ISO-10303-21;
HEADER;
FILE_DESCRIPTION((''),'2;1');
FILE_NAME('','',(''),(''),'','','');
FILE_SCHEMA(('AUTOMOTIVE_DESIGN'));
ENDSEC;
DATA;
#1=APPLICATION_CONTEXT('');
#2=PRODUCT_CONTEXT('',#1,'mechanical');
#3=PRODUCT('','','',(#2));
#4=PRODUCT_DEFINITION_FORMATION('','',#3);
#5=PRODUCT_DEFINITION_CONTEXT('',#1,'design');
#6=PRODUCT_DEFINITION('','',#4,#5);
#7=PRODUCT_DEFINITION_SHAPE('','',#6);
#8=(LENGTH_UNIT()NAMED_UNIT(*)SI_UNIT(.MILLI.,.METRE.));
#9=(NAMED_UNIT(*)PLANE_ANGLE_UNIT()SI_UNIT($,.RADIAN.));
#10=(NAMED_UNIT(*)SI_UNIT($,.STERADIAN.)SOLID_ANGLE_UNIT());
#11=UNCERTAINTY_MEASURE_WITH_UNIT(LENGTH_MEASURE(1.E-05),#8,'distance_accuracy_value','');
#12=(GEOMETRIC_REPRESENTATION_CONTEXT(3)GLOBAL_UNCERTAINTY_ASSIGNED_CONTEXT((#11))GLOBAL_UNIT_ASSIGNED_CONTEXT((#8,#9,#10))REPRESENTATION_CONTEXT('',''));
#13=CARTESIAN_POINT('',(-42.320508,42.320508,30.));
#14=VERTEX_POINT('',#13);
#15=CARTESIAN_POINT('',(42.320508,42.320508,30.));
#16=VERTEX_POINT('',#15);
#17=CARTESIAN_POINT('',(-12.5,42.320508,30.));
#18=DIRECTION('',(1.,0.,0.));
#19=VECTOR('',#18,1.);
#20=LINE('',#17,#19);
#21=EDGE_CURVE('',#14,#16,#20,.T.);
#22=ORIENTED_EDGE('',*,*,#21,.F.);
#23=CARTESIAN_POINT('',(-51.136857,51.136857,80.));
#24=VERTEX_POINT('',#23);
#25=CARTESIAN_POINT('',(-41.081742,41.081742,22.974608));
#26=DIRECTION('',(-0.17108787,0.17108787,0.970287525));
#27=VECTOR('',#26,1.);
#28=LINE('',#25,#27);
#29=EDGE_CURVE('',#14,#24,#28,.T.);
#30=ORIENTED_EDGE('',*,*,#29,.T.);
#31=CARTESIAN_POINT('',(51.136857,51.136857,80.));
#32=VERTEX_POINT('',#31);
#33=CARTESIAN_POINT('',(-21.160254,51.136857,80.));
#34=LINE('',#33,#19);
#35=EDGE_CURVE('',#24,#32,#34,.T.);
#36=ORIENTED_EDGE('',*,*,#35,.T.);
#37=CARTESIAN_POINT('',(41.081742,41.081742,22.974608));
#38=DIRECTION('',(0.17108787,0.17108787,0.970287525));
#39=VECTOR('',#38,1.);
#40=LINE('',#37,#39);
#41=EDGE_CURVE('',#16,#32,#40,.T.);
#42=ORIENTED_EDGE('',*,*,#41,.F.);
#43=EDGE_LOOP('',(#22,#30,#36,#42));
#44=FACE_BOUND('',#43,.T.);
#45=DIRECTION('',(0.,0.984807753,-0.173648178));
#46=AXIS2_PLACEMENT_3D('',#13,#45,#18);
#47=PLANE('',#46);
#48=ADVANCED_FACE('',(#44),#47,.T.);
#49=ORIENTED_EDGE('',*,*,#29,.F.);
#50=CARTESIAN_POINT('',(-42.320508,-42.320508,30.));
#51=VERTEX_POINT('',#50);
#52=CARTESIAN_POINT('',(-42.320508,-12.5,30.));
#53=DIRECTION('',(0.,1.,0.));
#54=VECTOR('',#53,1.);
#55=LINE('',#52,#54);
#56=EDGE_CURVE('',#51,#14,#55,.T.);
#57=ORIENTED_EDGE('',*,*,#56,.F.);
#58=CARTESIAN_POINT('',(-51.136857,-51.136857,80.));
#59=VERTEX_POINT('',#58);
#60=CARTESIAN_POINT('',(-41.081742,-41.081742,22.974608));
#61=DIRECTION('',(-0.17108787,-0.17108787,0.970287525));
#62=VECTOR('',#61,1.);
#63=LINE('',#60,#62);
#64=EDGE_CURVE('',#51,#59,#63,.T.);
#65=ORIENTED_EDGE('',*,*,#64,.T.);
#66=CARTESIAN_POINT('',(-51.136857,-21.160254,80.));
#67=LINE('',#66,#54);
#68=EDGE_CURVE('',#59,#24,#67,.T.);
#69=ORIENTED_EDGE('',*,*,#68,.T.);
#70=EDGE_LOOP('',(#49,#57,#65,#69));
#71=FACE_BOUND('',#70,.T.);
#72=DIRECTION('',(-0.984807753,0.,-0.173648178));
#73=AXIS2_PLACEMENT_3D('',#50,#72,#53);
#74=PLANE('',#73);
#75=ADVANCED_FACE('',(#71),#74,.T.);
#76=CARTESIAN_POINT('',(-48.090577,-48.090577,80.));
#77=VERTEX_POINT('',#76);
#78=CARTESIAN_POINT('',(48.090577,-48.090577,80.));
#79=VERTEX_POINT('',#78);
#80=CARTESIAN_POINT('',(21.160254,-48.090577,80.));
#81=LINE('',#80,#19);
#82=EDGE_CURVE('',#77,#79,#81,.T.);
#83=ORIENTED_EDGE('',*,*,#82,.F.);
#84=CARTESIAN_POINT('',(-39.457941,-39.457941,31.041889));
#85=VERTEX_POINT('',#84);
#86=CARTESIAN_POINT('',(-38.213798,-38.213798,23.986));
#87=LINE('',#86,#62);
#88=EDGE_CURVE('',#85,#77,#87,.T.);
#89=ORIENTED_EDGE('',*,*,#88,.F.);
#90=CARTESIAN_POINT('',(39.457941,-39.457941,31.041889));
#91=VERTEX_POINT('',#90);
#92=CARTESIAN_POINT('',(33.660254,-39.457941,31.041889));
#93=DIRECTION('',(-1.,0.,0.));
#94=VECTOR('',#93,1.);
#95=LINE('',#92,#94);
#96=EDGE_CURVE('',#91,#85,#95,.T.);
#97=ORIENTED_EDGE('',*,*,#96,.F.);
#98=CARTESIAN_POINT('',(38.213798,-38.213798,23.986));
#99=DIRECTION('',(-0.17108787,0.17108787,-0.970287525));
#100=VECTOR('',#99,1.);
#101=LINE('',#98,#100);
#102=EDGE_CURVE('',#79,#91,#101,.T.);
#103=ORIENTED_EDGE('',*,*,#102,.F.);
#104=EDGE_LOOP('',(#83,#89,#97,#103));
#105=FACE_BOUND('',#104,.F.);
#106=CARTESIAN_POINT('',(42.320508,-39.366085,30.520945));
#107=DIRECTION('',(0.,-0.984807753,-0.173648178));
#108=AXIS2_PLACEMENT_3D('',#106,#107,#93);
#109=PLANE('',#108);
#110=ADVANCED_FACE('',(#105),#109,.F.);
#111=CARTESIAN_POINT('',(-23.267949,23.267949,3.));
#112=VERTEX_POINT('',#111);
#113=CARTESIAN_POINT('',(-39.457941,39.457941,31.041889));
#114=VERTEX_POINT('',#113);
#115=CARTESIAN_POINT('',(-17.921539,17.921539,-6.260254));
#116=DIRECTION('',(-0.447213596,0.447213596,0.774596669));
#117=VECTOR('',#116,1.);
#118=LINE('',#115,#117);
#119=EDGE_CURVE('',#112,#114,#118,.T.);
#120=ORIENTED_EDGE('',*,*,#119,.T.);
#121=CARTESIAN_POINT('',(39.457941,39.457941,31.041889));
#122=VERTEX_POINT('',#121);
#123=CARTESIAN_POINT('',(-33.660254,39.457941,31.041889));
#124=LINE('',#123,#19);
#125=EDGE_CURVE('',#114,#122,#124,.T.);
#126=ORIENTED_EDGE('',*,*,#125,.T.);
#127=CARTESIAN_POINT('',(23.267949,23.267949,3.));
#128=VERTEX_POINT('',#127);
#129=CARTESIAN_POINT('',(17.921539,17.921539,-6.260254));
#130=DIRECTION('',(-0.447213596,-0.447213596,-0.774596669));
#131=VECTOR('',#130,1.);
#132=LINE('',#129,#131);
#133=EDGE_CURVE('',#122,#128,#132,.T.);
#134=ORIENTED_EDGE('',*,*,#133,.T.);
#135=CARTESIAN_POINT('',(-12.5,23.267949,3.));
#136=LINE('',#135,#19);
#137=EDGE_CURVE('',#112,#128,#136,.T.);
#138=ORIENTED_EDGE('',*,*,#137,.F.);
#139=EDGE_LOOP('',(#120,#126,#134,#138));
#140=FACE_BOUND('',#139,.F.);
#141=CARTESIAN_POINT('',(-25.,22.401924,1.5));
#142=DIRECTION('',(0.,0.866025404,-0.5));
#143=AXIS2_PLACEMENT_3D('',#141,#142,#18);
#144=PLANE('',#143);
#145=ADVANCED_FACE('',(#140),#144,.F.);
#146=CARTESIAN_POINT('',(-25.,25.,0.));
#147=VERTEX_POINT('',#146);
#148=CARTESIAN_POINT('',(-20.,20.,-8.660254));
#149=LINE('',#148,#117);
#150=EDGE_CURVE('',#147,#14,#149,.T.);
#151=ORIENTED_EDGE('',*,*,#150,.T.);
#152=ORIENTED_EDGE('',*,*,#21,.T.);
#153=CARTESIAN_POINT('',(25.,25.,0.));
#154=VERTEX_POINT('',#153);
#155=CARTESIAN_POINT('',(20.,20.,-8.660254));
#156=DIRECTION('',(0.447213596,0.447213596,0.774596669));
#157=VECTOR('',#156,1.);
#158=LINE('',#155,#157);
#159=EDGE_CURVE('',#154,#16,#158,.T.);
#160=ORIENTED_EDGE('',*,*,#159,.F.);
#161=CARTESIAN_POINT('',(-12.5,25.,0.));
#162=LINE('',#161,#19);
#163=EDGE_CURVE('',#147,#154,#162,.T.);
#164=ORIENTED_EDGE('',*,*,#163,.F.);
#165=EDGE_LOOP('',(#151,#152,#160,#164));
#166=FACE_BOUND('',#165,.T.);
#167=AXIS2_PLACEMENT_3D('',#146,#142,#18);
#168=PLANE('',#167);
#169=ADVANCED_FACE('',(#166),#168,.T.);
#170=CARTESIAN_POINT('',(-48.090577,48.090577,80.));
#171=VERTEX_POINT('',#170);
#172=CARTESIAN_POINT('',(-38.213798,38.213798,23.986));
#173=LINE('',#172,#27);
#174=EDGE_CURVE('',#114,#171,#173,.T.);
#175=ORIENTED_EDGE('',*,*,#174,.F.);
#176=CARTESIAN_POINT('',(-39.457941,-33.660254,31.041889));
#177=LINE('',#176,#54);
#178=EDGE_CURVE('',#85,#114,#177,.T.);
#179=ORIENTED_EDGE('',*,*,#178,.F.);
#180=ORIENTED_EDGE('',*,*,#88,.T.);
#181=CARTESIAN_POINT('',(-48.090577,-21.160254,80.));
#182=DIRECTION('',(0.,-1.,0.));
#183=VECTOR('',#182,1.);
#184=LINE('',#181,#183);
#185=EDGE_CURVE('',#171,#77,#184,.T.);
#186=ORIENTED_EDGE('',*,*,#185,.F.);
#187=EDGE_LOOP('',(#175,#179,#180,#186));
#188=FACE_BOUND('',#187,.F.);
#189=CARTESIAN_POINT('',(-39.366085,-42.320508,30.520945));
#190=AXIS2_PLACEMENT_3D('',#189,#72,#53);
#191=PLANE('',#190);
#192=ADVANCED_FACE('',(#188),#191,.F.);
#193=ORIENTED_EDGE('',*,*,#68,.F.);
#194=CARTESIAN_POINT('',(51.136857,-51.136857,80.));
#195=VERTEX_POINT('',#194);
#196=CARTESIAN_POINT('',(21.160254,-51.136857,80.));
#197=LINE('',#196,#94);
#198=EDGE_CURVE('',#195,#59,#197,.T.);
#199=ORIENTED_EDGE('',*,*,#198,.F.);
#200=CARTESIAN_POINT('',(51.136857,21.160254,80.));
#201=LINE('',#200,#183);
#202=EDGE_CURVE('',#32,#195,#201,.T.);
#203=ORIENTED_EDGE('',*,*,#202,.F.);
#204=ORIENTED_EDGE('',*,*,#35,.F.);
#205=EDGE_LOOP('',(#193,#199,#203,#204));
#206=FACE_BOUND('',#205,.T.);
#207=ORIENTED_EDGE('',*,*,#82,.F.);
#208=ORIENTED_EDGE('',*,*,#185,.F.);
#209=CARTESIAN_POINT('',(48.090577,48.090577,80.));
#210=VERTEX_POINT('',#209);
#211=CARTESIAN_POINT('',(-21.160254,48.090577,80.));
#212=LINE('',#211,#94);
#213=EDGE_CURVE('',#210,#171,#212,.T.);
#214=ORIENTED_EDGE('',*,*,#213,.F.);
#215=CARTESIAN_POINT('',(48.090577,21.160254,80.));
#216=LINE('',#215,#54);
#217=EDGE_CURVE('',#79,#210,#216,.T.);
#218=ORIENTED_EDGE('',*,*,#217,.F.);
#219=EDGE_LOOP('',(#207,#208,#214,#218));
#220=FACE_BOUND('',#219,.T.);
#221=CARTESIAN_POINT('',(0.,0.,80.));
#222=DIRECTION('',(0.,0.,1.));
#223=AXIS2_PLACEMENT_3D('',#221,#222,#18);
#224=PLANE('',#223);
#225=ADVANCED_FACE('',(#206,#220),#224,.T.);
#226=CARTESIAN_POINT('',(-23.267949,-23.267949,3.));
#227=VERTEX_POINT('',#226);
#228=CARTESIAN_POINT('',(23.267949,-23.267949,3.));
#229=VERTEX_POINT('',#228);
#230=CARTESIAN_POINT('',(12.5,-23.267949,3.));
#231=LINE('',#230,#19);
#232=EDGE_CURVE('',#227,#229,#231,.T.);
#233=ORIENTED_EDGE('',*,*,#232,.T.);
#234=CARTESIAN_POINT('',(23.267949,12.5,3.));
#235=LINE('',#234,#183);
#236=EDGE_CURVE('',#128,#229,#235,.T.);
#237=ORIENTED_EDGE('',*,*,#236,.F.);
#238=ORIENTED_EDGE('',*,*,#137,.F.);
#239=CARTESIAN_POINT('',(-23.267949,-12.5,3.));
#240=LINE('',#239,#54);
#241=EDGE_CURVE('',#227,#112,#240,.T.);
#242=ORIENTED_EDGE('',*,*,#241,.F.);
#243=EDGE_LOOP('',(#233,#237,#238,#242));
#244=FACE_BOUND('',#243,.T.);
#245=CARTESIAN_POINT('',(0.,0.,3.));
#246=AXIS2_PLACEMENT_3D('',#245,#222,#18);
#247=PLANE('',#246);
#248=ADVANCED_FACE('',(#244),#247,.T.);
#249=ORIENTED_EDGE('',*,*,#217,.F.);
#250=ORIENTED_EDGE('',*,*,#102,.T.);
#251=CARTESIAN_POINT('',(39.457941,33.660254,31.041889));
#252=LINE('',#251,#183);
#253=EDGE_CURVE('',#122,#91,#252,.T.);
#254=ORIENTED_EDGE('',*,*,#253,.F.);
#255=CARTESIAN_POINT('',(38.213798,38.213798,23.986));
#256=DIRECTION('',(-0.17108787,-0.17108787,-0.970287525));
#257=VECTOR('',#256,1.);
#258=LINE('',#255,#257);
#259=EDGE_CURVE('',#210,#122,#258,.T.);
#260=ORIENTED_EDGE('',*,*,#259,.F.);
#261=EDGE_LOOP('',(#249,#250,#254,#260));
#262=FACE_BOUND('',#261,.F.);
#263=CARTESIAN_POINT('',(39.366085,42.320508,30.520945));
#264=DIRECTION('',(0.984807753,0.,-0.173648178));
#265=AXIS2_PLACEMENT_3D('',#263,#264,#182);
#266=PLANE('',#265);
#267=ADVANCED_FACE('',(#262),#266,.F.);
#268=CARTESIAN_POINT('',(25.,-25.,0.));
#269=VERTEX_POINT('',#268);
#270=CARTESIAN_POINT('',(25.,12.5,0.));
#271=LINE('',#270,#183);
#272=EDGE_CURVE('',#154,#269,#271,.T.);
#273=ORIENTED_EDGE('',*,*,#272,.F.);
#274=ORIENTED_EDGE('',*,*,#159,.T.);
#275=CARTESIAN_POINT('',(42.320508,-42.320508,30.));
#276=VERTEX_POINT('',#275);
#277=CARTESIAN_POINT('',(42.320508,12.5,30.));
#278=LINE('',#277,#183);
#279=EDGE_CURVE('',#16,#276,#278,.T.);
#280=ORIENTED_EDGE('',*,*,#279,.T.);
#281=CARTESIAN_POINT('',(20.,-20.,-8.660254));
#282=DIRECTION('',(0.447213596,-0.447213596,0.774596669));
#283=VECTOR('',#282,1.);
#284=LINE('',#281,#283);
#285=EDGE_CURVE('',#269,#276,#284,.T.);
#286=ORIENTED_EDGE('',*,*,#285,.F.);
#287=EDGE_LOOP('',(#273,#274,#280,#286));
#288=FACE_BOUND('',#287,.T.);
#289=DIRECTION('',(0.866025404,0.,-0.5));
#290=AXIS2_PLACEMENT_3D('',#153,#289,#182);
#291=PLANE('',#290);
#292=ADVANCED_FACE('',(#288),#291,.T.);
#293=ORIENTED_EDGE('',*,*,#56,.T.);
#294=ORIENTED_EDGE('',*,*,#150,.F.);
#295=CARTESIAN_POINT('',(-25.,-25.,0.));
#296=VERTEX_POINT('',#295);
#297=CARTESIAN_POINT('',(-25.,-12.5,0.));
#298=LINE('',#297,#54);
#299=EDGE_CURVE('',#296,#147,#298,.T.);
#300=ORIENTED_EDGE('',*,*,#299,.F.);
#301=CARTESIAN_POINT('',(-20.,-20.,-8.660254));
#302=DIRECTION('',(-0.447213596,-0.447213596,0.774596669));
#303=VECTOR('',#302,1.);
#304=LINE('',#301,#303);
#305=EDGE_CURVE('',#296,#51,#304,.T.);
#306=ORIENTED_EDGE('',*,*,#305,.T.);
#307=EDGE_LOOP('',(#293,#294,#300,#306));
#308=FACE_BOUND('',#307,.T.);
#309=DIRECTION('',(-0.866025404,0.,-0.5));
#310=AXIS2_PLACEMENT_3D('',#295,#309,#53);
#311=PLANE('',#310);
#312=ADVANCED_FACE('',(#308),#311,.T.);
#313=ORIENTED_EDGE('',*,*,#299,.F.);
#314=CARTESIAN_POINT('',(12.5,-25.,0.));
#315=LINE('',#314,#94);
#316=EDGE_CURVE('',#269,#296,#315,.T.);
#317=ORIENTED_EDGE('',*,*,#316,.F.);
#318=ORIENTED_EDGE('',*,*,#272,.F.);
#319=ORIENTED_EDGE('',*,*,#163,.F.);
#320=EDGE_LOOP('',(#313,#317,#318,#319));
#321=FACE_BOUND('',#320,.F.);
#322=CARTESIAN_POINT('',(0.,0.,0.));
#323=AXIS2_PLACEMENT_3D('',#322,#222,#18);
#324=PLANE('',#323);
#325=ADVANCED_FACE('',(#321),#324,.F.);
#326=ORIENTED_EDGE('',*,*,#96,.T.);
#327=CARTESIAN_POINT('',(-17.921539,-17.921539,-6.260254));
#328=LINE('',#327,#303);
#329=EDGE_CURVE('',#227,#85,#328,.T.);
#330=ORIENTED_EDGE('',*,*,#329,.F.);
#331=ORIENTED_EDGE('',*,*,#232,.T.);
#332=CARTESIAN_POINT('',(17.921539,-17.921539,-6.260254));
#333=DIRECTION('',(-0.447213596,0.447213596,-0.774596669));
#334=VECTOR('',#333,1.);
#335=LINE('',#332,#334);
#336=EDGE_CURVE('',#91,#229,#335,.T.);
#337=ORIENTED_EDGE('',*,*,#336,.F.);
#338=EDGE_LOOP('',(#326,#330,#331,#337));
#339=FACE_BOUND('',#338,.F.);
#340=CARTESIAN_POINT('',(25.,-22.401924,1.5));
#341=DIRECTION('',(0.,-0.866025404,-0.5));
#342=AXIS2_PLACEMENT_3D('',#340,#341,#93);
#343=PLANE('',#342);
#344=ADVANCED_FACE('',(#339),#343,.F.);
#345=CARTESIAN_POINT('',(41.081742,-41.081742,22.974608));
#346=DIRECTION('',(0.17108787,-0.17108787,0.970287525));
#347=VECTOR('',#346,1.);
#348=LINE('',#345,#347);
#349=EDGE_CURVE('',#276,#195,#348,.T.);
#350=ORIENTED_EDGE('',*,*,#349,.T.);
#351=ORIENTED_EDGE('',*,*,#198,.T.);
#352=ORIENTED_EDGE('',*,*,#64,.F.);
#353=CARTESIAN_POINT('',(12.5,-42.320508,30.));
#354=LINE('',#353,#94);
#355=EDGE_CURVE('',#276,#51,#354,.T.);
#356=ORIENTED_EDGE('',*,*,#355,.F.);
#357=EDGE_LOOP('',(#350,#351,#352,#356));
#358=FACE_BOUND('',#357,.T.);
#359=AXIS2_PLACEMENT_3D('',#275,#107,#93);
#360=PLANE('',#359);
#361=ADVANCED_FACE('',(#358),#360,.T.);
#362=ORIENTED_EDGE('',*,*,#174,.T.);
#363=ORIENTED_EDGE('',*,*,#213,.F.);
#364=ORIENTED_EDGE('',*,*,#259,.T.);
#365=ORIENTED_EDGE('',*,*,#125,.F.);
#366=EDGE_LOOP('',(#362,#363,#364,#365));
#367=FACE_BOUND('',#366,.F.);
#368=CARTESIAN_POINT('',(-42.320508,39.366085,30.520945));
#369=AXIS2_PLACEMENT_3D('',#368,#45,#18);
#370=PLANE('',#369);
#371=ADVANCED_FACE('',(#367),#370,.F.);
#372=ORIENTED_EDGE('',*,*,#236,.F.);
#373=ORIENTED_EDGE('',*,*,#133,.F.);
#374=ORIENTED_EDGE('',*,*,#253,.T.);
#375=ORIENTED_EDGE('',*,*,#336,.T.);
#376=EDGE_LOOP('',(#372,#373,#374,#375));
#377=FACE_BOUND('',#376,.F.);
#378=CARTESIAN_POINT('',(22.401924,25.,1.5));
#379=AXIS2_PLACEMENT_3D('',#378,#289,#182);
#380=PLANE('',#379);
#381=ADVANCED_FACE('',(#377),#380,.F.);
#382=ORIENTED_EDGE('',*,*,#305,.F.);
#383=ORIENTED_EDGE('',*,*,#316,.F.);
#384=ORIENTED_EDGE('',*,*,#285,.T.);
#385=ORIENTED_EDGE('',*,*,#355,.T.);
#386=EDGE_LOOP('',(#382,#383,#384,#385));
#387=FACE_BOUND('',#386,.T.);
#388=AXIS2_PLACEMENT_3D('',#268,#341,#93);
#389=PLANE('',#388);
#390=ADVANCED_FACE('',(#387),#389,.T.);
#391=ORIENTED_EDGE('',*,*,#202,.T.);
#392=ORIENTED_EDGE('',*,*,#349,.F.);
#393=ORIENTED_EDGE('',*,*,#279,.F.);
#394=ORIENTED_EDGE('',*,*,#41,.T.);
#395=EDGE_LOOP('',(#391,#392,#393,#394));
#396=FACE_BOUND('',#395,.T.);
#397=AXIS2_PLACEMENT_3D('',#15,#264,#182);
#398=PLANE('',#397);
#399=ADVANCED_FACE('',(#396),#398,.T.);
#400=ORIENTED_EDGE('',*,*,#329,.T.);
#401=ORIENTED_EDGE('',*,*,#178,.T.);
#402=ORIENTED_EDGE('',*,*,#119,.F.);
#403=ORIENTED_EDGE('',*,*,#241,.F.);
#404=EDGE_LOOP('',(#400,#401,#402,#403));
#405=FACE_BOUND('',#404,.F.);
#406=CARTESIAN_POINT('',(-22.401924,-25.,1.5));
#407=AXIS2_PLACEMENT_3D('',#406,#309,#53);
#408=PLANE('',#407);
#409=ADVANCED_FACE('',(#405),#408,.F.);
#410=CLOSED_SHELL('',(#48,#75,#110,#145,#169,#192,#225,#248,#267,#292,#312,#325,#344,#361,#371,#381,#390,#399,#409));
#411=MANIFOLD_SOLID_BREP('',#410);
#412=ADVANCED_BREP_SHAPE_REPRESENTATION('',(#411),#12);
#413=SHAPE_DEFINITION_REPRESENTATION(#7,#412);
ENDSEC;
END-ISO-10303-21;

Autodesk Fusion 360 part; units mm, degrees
sketch "스케치1" plane through (0, 0, 0) normal (0, 0, 1) x (1, 0, 0)
  line L0 (-25, 25) -> (25, 25)
  line L1 (25, 25) -> (25, -25)
  line L2 (25, -25) -> (-25, -25)
  line L3 (-25, -25) -> (-25, 25)
extrude "돌출1" add sketch "스케치1" along normal blind 30 draft 30
extrude "돌출2" add 1 faces at (-14.1068, -14.1068, 30) along direction (0, 0, 1) blind 50 draft 10
shell "쉘1" thickness 3 removed faces 1 at (-17.0456, 17.0456, 80)
